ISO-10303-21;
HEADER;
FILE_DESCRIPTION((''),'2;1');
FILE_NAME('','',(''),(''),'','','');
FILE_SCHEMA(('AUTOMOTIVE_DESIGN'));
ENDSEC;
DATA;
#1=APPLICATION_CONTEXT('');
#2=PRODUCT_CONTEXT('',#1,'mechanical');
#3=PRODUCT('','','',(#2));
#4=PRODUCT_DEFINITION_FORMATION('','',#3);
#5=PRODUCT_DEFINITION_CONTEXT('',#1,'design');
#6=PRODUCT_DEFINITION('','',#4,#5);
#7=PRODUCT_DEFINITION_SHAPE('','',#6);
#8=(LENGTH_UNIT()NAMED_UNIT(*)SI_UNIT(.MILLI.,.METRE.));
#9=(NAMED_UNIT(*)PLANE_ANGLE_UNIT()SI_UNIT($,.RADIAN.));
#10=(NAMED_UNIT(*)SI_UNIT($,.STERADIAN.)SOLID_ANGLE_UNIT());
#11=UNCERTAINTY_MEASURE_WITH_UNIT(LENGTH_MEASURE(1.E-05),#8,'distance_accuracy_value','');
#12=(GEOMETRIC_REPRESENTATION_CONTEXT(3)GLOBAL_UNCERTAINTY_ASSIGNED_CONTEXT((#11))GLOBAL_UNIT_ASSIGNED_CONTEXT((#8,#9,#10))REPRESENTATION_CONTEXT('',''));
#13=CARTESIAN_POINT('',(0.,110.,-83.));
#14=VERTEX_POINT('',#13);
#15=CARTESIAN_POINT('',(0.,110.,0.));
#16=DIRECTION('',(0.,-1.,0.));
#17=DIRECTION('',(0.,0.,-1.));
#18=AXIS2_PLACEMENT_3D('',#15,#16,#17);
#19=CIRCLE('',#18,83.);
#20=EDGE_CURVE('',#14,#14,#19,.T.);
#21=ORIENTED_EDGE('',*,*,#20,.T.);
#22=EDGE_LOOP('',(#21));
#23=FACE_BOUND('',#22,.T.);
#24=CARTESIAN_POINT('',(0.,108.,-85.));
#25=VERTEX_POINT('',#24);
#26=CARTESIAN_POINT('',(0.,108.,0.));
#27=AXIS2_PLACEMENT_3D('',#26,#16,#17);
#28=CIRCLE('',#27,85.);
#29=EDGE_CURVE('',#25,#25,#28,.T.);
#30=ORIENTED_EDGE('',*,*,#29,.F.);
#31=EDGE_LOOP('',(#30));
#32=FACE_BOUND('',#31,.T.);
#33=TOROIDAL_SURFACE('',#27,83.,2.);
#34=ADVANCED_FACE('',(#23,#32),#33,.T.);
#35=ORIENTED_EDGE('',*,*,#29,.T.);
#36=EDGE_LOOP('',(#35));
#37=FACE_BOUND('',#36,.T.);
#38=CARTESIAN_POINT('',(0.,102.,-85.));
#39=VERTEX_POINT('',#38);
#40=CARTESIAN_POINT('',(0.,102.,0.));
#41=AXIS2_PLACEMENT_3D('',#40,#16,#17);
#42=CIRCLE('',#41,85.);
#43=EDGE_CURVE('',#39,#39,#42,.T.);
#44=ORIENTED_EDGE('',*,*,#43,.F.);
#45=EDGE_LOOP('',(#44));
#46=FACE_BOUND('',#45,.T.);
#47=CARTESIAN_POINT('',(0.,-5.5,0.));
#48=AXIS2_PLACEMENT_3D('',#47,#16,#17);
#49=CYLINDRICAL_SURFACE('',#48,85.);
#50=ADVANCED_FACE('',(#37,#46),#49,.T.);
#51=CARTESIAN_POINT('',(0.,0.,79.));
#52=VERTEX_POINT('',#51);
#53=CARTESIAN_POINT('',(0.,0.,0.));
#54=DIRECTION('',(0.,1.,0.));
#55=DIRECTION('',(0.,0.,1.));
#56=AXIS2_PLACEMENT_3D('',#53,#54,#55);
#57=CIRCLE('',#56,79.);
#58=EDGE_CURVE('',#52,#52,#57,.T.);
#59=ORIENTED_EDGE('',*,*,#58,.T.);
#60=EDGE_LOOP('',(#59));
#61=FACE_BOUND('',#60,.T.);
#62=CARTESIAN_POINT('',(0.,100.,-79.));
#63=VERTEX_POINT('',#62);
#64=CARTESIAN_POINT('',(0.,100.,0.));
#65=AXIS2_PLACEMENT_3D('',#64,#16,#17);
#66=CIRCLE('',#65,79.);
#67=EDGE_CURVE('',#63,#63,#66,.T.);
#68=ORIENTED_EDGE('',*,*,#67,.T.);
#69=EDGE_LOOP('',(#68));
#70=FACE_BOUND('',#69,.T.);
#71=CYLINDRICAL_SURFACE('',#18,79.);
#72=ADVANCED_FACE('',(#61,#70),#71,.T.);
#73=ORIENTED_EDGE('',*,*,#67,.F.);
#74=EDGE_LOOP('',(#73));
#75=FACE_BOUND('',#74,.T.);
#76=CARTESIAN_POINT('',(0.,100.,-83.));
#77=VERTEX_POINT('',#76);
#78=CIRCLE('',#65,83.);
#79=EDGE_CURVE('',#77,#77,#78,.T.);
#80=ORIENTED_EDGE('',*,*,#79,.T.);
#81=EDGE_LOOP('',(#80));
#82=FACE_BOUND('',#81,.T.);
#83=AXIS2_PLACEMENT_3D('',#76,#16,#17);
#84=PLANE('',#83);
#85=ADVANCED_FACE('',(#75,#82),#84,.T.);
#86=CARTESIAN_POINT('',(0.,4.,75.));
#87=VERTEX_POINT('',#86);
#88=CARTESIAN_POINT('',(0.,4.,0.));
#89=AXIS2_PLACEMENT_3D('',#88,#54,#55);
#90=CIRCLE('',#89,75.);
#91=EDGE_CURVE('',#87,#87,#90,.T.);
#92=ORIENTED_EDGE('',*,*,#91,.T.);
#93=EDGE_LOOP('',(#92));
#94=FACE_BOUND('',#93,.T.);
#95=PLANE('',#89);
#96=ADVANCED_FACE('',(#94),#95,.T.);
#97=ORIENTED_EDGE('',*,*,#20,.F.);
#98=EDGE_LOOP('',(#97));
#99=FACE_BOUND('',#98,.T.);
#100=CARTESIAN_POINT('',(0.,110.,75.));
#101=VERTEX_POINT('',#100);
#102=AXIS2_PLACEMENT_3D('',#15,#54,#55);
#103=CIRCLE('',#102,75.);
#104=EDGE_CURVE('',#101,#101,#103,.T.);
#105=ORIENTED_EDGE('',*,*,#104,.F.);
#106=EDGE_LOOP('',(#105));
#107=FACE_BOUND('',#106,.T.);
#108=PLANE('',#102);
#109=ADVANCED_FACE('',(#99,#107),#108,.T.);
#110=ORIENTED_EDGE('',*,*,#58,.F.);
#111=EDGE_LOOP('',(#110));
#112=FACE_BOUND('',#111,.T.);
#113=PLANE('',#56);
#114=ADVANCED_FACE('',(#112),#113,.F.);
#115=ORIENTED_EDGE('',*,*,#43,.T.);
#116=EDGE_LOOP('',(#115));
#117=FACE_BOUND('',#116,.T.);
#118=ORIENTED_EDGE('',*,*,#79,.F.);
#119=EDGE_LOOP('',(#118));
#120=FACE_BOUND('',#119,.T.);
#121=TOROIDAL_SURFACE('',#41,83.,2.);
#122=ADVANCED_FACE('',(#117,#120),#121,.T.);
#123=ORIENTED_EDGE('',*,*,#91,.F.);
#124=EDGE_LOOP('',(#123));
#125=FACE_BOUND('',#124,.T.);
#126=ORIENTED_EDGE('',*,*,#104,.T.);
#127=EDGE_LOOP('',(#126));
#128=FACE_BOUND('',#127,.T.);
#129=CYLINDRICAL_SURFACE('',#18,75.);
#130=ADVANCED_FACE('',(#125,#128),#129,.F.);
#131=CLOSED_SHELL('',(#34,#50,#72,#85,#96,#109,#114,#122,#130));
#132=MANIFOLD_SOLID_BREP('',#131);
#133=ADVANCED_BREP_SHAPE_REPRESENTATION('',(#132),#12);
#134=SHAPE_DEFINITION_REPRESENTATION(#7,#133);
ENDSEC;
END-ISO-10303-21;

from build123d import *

# Parameters (mm, degrees)
SKETCH1_R           = 79
BOSS_EXTRUDE1_DEPTH = 110
SHELL1_T            = -4


with BuildPart() as part:
    # Sketch1 → Boss-Extrude1 (new body)
    with BuildSketch(Plane(origin=(0, 0, 0), x_dir=(1, 0, 0), z_dir=(0, 1, 0))):
        with Locations(Location((0, 0, 0), (0, 0, 270))):
            Circle(SKETCH1_R)
    extrude(amount=BOSS_EXTRUDE1_DEPTH)

    # Shell1
    shell1_openings = [part.faces().sort_by_distance(p)[0] for p in [
        (0, 110, 0),
    ]]
    offset(amount=SHELL1_T, openings=shell1_openings, kind=Kind.INTERSECTION)

    # Sketch2 → Revolve1 (revolve)
    with BuildSketch(Plane(origin=(0, 0, 0), x_dir=(0, 0, -1), z_dir=(1, 0, 0))):
        with BuildLine():
            Line((79, 110), (83, 110))
            ThreePointArc((83, 110), (84.414213562, 109.414213562), (85, 108))
            Line((85, 108), (85, 102))
            ThreePointArc((85, 102), (84.414213562, 100.585786438), (83, 100))
            Line((83, 100), (79, 100))
            Line((79, 100), (79, 110))
        make_face()
    revolve(axis=Axis((0, -5.5, 0), (0, 1, 0)))


solid = part.part
